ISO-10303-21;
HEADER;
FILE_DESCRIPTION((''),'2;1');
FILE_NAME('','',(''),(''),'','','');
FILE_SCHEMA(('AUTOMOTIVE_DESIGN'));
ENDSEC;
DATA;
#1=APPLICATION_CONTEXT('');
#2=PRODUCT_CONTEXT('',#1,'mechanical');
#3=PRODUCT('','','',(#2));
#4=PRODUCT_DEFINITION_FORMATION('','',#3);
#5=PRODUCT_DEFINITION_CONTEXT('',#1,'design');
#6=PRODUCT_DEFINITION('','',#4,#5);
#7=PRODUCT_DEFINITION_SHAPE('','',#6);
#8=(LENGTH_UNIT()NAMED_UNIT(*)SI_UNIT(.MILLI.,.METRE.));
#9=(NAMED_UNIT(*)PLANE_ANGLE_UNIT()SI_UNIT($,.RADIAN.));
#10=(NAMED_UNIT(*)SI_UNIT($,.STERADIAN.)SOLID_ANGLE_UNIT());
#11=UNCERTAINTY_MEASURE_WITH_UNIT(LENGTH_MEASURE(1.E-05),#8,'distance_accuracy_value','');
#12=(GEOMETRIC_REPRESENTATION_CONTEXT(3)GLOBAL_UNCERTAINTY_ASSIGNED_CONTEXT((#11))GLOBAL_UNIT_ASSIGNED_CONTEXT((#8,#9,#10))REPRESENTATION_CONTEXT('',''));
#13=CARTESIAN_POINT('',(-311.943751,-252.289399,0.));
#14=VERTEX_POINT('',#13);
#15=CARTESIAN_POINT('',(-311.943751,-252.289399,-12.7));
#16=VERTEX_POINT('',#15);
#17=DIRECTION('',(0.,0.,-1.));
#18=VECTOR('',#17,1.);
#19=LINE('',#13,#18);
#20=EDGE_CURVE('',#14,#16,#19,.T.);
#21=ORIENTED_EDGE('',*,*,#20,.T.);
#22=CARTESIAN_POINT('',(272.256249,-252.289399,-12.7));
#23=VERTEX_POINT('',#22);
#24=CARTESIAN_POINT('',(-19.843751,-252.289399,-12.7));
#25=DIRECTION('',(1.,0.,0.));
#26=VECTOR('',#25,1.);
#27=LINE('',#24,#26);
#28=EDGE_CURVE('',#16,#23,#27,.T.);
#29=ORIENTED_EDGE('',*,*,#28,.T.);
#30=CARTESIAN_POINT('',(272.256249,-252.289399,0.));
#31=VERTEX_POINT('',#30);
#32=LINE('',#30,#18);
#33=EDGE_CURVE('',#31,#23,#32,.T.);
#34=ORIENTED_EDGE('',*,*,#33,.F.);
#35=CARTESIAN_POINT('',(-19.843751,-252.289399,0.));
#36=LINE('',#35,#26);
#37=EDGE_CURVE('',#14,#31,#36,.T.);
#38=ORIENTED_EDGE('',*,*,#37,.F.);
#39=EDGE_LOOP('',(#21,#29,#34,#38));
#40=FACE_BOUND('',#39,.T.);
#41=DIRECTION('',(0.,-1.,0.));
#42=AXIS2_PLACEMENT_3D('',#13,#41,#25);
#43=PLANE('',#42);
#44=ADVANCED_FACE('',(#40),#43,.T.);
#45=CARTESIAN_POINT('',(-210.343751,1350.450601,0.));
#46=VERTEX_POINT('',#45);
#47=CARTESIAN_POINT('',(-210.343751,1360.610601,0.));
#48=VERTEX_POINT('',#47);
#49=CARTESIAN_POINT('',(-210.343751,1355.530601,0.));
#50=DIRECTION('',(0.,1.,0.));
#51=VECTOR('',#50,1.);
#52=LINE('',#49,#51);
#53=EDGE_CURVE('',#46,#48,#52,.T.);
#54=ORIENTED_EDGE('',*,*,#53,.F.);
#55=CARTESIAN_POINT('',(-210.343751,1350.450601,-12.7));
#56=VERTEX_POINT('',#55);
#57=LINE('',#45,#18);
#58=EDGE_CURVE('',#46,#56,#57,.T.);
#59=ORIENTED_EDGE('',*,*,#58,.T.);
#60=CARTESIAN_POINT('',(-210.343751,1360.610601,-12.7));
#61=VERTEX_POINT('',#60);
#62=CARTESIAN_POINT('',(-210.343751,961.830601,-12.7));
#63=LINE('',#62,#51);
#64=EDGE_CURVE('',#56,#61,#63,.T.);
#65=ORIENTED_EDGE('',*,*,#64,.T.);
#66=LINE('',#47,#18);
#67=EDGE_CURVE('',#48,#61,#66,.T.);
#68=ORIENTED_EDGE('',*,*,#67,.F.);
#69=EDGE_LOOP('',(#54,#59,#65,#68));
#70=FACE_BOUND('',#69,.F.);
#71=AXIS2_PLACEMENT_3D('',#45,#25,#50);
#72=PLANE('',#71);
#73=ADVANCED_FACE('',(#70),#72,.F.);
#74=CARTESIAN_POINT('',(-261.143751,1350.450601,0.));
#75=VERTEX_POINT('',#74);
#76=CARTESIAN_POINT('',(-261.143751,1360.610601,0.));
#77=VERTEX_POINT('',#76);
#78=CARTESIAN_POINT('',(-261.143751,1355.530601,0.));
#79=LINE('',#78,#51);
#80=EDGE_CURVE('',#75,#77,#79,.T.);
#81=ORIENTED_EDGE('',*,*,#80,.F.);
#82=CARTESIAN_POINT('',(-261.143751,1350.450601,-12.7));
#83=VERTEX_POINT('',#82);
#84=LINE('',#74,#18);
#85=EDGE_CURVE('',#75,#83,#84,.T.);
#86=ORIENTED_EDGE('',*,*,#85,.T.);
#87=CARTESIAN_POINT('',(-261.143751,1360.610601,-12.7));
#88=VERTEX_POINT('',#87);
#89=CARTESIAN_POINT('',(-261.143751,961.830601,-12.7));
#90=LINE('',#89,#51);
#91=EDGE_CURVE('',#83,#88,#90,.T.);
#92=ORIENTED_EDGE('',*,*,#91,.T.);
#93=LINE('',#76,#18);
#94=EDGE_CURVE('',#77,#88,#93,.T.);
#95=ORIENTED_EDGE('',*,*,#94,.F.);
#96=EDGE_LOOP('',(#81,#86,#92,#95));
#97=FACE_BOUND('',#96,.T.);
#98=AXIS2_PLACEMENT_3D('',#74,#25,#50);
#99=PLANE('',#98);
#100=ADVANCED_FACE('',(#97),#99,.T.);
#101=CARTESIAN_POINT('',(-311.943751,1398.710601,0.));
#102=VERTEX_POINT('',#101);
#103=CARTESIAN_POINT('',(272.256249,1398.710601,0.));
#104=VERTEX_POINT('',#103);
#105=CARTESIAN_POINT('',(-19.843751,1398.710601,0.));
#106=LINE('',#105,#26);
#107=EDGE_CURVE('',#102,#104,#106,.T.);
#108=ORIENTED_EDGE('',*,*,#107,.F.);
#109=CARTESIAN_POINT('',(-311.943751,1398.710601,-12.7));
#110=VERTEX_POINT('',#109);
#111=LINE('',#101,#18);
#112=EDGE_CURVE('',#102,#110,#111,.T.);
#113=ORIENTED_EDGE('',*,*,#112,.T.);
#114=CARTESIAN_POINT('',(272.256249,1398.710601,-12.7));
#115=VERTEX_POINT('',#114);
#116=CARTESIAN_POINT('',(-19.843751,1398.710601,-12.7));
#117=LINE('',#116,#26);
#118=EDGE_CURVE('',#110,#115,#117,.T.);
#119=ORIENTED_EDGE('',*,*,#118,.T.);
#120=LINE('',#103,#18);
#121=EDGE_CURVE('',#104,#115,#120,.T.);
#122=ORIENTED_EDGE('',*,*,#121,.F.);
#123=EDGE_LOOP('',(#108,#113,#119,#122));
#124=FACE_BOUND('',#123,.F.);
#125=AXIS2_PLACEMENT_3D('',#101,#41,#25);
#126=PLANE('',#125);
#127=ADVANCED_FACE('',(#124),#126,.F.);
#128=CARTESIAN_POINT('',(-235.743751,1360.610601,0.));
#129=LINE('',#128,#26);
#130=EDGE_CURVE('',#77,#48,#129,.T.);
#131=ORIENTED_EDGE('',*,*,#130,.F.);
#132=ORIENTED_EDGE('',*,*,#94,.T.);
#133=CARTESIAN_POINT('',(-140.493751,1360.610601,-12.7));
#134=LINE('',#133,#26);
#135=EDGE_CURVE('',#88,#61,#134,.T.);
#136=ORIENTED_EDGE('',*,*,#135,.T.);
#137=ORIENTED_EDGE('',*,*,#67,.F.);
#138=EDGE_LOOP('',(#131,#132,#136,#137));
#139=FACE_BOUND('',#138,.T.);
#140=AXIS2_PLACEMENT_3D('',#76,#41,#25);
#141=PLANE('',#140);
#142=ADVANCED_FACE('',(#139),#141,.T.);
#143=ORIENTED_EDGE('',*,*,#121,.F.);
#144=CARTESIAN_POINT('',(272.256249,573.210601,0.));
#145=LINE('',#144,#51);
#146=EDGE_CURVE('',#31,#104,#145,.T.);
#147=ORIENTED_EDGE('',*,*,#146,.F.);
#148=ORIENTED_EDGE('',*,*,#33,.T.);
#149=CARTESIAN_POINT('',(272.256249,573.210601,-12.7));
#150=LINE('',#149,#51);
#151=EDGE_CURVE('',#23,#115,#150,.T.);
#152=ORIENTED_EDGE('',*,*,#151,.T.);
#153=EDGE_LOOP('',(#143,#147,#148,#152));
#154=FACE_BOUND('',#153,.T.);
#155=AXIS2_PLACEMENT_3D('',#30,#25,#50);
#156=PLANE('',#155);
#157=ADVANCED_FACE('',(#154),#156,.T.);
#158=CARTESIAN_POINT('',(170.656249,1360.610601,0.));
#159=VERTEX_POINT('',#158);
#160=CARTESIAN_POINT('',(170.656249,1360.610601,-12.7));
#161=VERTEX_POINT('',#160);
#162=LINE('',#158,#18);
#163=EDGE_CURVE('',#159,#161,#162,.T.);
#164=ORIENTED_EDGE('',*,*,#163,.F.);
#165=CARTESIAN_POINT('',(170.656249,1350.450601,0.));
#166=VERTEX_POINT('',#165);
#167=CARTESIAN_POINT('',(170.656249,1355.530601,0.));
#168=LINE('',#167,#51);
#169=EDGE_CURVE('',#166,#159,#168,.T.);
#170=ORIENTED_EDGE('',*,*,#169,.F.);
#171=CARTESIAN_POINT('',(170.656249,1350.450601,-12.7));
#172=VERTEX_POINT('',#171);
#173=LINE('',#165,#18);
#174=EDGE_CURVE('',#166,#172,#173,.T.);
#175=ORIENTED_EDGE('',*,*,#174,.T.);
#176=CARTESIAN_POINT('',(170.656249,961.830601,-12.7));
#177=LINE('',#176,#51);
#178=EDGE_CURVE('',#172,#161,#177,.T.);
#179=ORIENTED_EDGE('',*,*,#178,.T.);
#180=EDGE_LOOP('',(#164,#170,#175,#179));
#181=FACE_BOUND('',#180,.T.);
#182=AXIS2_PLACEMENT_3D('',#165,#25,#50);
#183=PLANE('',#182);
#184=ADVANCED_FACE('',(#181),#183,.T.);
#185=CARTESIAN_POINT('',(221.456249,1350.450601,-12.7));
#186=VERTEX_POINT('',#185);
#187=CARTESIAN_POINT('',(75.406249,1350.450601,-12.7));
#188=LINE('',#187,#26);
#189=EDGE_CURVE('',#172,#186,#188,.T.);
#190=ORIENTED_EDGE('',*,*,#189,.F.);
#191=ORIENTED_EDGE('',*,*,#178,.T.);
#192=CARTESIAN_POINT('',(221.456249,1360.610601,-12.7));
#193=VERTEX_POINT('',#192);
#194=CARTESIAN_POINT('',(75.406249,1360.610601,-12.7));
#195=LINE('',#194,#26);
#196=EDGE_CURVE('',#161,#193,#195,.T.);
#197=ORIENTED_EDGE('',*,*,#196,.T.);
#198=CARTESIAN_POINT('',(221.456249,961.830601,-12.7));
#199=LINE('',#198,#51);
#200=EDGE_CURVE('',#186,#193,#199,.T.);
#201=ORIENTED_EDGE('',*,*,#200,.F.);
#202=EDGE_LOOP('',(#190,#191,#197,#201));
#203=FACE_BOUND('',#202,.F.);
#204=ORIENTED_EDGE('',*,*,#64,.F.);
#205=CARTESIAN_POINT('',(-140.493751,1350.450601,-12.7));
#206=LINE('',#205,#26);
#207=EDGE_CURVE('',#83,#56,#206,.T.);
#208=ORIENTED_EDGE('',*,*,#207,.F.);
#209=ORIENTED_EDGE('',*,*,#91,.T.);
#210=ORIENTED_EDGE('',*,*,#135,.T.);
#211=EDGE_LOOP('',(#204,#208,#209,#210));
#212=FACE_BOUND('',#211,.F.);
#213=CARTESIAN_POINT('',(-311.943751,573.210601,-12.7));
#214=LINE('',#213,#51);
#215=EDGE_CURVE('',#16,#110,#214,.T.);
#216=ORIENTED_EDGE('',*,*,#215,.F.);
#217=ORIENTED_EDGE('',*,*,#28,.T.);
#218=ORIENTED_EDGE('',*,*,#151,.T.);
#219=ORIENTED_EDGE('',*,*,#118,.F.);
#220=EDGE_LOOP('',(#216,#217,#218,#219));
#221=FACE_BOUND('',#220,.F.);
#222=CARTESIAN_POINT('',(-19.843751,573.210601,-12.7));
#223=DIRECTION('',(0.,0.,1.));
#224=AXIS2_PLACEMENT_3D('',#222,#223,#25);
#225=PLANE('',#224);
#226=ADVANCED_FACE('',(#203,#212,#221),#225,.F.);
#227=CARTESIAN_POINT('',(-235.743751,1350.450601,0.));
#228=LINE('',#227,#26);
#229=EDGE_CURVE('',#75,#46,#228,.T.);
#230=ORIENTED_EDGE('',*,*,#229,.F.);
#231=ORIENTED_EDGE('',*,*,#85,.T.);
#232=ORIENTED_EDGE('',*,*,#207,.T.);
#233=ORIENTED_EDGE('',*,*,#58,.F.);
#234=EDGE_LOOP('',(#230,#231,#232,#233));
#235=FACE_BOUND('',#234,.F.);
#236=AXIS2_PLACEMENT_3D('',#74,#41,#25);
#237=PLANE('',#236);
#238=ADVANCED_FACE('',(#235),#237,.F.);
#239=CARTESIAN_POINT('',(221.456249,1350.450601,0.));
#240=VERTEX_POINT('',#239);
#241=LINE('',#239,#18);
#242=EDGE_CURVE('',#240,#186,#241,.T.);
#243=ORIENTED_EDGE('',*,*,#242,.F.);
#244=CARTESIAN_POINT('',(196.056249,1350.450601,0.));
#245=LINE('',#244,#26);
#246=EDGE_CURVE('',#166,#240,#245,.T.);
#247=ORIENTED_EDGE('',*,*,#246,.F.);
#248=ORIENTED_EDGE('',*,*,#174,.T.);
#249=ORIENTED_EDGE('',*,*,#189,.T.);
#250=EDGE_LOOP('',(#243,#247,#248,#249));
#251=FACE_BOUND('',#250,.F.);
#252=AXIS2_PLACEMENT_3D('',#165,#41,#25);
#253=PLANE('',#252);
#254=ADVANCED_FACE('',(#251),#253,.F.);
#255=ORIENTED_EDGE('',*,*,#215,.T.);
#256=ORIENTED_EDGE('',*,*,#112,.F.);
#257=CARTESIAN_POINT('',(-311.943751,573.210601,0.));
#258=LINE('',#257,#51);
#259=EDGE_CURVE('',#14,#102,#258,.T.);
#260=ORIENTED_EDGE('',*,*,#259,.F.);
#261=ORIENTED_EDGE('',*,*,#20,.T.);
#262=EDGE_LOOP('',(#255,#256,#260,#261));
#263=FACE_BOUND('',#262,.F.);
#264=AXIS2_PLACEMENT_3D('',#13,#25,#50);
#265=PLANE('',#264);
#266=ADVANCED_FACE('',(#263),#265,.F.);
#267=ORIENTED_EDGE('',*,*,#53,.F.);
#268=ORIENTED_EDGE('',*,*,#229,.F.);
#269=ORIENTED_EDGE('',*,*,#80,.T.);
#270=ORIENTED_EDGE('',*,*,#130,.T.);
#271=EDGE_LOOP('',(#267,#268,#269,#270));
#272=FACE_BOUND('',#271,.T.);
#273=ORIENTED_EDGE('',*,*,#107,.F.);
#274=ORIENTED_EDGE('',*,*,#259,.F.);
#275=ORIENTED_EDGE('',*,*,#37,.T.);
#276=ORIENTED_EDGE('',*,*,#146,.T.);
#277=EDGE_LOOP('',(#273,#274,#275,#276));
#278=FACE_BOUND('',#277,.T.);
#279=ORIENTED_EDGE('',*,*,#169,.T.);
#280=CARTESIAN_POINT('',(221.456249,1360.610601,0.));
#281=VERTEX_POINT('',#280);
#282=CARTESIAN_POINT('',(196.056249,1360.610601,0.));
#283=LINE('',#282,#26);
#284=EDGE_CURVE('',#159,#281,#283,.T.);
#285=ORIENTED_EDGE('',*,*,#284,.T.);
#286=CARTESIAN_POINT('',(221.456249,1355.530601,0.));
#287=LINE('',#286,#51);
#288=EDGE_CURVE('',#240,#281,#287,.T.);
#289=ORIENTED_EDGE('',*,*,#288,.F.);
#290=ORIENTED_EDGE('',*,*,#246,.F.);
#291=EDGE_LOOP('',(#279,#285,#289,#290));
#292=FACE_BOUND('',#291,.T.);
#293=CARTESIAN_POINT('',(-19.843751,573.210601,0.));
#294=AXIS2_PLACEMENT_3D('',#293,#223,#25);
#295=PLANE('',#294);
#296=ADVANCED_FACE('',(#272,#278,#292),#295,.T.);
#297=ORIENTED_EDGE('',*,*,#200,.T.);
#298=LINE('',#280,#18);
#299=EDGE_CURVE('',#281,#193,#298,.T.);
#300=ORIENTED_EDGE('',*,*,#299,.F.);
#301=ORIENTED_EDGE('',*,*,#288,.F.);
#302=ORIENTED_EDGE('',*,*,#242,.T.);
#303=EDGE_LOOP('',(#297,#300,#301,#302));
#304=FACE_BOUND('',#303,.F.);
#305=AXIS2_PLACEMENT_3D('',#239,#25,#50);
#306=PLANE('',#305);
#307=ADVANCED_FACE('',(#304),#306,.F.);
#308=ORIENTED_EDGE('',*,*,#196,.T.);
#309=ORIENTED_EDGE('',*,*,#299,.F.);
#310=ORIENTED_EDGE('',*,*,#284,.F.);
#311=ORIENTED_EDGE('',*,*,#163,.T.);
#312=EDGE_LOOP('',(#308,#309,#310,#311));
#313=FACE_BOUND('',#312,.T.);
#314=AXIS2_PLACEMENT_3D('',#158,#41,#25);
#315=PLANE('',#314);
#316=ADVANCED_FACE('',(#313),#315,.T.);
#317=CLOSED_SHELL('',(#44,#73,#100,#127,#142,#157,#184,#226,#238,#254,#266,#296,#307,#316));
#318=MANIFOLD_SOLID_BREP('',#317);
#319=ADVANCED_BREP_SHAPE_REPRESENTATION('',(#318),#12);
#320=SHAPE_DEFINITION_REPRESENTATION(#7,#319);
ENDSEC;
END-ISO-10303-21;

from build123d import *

# Parameters (mm, degrees)
F0_W     = 584.2
F0_H     = 1651
F1_DEPTH = 12.7
F2_W     = 50.8
F2_H     = 10.16
F3_DEPTH = 15.24


with BuildPart() as f1:
    # F0 (on Top) → F1 (new body)
    with BuildSketch(Plane.XY):
        with Locations((-19.843751, 573.210601)):
            Rectangle(F0_W, F0_H)
    extrude(amount=-F1_DEPTH)

    # F2 (on face) → F3 (cut)
    with BuildSketch(Plane.XY):
        with Locations((-235.743751, 1355.530601)):
            Rectangle(F2_W, F2_H)
        with Locations((196.056249, 1355.530601)):
            Rectangle(F2_W, F2_H)
    extrude(amount=-F3_DEPTH, mode=Mode.SUBTRACT)


solid = f1.part
